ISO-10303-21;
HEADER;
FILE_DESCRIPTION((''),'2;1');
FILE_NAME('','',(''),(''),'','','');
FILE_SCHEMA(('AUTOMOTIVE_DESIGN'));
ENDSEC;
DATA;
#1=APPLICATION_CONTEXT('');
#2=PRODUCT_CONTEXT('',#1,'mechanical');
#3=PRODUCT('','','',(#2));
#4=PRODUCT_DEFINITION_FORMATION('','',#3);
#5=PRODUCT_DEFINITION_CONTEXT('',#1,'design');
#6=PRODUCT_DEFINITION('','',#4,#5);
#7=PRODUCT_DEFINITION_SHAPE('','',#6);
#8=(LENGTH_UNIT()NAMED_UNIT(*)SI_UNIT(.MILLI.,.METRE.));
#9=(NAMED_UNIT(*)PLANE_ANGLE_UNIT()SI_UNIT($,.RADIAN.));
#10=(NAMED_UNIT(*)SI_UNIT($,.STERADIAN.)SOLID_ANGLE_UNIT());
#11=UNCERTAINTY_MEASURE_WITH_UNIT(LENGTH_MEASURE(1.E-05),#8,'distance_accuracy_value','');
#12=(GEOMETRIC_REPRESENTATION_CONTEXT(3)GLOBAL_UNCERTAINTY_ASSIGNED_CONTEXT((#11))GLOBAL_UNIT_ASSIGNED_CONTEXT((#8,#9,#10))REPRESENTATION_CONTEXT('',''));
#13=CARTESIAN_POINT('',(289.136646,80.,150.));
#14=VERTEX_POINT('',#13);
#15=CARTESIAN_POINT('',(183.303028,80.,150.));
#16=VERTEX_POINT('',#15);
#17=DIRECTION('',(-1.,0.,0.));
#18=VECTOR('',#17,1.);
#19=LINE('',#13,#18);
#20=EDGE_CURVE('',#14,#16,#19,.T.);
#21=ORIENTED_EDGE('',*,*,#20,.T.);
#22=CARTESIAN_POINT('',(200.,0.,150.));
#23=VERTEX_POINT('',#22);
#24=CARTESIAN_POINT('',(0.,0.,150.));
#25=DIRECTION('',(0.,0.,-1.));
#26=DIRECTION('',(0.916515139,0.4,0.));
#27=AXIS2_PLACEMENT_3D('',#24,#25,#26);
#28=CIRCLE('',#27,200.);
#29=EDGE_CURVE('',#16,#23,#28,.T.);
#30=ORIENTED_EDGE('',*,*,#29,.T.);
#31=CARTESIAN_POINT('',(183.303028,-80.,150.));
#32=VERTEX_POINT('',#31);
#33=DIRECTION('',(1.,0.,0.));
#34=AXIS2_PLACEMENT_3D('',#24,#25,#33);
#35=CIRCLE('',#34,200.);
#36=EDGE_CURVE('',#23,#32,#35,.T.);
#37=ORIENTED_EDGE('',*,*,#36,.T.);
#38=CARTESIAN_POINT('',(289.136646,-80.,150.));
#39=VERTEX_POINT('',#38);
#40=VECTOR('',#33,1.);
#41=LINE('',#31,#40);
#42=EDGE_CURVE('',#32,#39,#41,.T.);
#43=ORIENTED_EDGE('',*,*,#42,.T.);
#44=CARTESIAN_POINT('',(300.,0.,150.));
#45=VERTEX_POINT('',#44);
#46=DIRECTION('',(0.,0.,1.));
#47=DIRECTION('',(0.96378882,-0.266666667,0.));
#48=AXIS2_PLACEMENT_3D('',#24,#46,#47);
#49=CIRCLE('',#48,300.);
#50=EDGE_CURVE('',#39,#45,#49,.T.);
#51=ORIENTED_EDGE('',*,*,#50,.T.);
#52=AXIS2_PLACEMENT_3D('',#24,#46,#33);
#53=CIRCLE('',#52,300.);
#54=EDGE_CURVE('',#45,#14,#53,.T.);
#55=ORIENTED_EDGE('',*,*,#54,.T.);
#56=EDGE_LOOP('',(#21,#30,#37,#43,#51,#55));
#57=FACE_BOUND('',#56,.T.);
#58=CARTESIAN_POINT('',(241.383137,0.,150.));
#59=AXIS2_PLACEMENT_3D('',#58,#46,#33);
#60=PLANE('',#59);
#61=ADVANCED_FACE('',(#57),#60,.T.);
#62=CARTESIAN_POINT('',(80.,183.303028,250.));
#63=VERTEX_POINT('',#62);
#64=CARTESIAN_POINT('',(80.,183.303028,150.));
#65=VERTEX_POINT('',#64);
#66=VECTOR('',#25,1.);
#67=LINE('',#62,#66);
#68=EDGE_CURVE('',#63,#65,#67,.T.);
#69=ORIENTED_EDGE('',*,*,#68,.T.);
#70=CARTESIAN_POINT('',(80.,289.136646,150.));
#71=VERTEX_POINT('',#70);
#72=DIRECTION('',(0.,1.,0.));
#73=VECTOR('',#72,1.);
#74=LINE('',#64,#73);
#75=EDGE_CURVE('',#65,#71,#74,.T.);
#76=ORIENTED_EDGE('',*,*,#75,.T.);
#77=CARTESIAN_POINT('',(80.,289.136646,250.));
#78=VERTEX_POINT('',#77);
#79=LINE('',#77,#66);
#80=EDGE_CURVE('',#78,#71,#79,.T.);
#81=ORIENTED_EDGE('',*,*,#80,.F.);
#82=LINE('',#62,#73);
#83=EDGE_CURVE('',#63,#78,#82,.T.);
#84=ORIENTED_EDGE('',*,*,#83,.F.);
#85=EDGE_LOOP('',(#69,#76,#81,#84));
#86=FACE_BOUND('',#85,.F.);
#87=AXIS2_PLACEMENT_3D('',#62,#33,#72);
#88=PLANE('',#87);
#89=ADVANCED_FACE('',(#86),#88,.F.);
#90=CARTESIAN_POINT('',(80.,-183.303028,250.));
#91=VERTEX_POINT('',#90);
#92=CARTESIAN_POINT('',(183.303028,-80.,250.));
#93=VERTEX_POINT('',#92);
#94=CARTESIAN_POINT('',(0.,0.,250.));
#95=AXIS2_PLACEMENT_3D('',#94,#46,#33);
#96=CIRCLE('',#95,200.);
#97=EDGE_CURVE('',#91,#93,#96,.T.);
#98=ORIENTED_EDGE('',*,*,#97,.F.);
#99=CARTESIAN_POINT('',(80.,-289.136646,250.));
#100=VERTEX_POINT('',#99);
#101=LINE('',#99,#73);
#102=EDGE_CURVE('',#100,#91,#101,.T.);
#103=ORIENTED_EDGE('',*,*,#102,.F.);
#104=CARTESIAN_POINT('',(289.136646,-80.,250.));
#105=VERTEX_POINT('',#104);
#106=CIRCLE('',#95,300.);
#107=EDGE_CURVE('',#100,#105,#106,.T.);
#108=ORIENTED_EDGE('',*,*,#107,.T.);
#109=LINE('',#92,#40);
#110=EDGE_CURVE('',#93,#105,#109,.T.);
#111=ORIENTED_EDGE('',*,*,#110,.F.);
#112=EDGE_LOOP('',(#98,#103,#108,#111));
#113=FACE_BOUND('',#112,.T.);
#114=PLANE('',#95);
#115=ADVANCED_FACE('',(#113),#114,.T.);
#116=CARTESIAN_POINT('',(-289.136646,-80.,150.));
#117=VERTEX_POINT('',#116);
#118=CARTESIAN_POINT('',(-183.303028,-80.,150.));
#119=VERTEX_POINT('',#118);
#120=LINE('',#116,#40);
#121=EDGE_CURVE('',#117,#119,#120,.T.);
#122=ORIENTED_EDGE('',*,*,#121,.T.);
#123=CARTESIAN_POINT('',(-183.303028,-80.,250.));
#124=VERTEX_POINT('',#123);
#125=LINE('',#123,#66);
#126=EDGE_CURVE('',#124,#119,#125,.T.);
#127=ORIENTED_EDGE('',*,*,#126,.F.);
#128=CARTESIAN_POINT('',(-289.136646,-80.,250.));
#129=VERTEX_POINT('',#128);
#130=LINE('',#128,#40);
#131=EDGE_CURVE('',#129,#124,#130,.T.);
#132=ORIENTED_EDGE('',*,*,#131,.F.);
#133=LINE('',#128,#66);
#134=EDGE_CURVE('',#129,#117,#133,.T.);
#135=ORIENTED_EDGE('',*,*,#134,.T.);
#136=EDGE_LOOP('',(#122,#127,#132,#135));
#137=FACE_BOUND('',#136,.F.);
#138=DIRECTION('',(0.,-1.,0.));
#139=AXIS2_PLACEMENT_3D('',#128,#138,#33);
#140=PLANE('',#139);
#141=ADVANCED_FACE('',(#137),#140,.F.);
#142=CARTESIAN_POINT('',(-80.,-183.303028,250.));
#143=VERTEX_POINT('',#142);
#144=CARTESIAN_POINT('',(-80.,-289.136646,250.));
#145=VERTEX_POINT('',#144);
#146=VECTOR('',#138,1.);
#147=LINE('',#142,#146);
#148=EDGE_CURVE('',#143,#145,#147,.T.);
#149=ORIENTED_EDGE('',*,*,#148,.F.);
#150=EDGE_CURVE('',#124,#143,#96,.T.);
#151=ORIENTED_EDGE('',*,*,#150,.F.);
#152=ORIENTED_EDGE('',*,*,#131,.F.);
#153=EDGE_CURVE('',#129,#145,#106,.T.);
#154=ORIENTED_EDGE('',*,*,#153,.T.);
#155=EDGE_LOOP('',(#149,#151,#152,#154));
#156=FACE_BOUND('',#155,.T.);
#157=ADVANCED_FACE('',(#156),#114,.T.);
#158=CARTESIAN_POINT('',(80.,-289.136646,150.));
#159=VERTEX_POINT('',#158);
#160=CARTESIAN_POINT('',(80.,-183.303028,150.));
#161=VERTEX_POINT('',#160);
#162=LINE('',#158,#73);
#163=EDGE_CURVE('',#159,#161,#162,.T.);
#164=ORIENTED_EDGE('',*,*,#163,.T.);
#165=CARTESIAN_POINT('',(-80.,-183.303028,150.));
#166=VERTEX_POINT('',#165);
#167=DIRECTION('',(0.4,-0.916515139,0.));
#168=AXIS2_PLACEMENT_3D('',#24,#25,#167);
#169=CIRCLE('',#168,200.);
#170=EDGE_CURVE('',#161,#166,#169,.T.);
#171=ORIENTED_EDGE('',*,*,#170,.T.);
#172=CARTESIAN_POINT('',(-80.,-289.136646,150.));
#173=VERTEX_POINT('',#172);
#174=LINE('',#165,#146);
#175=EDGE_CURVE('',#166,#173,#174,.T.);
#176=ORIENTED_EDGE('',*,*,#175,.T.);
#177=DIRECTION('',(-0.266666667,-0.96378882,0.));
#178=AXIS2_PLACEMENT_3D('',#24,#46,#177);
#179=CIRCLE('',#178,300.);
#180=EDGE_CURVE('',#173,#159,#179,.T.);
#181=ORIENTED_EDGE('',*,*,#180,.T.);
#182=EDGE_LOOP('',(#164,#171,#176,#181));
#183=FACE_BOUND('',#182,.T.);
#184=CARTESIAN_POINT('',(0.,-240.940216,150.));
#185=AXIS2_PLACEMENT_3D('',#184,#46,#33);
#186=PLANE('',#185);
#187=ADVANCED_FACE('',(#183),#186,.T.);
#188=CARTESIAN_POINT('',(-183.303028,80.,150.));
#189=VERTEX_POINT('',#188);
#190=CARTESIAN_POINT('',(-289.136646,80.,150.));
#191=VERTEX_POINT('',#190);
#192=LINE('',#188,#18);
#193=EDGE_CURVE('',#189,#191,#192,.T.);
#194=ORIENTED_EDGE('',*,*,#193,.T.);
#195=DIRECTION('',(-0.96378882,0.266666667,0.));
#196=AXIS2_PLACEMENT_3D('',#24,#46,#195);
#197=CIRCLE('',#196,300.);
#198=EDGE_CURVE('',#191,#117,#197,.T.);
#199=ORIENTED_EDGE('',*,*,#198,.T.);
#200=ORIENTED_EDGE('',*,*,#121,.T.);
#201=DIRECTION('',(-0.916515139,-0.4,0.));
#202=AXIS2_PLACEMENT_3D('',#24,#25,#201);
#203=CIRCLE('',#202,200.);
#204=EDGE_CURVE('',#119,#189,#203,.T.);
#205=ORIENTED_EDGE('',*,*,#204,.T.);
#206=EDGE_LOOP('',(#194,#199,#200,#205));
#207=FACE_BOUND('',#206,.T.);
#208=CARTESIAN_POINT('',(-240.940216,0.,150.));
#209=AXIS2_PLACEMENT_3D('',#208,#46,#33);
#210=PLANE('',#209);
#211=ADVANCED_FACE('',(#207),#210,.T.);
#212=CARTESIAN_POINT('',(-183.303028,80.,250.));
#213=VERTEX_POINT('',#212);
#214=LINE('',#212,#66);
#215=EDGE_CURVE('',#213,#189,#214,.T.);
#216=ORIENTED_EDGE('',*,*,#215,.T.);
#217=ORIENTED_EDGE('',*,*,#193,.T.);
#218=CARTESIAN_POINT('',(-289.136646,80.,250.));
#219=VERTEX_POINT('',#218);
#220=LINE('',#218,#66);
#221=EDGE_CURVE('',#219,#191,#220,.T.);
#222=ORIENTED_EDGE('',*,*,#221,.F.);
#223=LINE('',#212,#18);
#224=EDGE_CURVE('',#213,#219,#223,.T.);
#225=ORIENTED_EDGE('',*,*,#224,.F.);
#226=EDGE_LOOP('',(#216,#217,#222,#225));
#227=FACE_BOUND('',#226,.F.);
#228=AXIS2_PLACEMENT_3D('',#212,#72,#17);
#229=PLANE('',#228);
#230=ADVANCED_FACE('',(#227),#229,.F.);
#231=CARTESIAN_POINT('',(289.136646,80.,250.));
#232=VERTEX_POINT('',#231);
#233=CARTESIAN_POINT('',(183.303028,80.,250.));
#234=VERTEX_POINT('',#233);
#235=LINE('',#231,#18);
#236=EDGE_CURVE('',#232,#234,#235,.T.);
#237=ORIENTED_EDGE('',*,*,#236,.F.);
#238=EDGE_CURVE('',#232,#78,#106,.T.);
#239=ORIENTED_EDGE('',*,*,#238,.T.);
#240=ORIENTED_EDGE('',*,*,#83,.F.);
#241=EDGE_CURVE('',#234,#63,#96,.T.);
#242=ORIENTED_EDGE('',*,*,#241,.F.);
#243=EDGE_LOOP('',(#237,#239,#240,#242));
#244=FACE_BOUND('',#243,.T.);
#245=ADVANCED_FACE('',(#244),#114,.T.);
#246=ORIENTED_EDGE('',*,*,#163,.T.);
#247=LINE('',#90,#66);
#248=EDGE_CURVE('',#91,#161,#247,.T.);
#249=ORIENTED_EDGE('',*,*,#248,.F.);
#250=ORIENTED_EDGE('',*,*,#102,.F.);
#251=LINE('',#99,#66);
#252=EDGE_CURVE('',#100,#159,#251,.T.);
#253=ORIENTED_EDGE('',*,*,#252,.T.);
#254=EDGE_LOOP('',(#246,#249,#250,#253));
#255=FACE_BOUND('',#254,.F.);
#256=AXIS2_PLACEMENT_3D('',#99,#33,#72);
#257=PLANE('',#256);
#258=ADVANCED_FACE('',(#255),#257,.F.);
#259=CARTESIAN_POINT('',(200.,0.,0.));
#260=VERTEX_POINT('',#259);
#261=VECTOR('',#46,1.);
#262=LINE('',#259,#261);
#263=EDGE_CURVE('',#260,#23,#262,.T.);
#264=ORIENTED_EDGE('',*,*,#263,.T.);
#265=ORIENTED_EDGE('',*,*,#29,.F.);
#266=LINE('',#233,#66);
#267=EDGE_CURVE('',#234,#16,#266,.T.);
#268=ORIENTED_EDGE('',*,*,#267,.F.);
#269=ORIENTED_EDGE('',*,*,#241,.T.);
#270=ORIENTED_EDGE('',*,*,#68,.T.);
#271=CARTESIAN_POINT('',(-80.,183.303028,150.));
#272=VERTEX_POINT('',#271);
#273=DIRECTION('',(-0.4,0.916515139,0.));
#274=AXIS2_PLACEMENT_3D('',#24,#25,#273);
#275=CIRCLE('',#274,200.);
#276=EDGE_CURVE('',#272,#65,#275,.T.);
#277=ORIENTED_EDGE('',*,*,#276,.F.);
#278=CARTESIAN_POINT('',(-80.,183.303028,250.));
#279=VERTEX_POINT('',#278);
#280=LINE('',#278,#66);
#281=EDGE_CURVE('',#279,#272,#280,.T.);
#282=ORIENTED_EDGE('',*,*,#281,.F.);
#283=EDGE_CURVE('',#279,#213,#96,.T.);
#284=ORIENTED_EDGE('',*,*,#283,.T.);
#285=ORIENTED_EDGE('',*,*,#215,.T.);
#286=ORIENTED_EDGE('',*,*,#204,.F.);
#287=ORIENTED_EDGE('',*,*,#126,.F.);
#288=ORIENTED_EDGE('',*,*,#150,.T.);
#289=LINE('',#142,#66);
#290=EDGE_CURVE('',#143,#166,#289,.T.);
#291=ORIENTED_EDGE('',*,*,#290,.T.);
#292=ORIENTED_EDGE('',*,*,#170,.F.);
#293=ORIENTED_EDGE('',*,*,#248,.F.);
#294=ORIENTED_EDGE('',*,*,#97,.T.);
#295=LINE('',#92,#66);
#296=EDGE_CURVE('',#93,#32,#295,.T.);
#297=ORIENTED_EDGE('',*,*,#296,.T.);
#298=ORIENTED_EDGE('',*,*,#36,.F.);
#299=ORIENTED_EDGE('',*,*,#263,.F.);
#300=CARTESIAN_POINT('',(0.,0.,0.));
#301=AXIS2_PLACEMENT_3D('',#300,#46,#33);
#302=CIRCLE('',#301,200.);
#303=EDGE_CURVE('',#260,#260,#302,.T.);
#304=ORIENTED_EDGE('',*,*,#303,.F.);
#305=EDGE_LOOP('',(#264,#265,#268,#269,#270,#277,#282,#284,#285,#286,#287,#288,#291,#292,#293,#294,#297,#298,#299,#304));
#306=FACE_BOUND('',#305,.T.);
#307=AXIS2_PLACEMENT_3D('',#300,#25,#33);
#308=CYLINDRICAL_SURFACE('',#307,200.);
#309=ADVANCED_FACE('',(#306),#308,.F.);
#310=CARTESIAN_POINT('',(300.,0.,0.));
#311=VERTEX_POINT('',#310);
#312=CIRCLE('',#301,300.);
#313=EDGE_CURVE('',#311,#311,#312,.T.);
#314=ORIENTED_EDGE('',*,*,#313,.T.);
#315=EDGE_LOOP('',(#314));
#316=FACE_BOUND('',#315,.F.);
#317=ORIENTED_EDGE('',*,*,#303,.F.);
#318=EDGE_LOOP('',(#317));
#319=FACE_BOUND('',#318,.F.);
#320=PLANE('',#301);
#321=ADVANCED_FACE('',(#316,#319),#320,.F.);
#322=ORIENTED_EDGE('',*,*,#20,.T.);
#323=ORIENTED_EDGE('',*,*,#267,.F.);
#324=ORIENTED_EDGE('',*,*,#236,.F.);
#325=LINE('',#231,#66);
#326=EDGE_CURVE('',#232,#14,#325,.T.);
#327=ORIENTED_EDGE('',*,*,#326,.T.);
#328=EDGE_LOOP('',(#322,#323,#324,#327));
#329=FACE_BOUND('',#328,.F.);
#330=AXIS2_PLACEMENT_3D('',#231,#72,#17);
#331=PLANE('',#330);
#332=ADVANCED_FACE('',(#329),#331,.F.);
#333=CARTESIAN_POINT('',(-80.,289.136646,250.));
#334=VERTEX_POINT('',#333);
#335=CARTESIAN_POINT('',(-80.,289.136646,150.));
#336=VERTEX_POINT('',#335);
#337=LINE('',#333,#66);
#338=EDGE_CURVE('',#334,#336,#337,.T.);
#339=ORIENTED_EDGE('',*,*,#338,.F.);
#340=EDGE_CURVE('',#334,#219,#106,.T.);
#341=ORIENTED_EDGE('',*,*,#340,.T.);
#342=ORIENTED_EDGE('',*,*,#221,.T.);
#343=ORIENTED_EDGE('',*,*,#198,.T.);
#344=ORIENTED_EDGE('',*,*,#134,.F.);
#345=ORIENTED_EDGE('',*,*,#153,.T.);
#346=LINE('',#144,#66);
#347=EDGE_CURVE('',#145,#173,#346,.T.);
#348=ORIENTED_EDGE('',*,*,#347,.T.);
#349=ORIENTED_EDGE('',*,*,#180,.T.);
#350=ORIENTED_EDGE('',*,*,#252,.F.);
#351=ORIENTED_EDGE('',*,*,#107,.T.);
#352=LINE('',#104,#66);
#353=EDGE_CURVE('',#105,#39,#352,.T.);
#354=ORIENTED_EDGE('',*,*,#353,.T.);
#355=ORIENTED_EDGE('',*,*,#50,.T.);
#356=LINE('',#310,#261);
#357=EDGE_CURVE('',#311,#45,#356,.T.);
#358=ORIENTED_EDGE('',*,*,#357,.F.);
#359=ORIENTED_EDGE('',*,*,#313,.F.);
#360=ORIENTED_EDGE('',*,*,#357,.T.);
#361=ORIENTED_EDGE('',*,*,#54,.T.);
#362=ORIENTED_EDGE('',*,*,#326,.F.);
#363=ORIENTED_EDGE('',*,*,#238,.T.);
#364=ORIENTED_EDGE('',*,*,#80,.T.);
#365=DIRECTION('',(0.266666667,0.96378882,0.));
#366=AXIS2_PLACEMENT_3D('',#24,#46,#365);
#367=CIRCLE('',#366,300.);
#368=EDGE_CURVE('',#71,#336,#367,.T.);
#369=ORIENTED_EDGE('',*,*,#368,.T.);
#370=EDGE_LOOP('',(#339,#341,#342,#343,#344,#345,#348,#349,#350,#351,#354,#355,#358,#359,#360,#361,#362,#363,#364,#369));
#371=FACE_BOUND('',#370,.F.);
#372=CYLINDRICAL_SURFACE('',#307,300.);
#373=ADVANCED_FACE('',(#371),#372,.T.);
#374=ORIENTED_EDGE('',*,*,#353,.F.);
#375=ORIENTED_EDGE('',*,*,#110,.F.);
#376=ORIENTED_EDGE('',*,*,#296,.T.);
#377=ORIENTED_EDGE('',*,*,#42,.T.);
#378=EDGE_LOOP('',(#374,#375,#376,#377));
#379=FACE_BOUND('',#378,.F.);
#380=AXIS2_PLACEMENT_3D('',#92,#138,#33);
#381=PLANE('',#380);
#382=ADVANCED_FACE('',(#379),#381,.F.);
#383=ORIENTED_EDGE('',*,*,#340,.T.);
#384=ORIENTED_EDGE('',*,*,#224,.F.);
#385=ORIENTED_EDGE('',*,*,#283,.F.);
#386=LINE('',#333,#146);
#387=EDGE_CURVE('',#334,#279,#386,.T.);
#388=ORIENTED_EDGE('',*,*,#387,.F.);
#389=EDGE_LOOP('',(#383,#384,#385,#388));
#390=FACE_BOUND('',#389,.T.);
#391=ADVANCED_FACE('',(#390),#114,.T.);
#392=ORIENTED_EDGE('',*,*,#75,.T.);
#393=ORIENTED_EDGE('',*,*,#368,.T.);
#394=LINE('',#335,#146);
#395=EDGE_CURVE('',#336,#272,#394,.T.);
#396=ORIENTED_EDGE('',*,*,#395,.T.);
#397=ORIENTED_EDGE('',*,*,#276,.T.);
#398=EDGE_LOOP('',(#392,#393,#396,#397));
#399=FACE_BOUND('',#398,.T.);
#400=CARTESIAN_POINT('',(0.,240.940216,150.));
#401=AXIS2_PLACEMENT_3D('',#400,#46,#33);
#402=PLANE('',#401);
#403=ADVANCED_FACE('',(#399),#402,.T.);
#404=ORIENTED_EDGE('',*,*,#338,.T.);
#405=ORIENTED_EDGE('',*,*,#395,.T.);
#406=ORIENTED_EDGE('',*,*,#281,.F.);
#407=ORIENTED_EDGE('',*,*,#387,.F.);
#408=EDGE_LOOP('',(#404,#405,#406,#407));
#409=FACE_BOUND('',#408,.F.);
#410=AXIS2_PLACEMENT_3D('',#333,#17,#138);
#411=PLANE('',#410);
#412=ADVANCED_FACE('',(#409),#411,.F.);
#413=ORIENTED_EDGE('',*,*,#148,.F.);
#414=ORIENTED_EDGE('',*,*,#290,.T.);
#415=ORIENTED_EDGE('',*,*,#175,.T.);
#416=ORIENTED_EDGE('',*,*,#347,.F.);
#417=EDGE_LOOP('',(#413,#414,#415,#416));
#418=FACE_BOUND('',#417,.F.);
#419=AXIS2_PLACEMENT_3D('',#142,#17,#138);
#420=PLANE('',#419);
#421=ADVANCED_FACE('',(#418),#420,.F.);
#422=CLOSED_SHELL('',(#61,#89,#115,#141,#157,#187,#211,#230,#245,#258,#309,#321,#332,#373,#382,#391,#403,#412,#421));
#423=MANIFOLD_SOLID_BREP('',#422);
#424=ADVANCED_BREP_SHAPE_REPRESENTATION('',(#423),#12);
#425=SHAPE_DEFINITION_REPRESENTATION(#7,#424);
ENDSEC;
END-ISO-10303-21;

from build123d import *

# Parameters (mm, degrees)
F0_R     = 300
F0_R_2   = 200
F1_DEPTH = 250
F3_DEPTH = 100


with BuildPart() as f1:
    # F0 (on Top) → F1 (new body)
    with BuildSketch(Plane.XY):
        Circle(F0_R)
        Circle(F0_R_2, mode=Mode.SUBTRACT)
    extrude(amount=F1_DEPTH)

    # F2 (on face) → F3 (cut)
    with BuildSketch(Plane.XY.offset(250)):
        with BuildLine():
            ThreePointArc((-80, 183.3030277982), (0, 200), (80, 183.3030277982))
            Line((80, 183.3030277982), (80, 289.136645896))
            ThreePointArc((80, 289.136645896), (0, 300), (-80, 289.136645896))
            Line((-80, 289.136645896), (-80, 183.3030277982))
        make_face()
        with BuildLine():
            Line((289.136645896, 80), (183.3030277982, 80))
            ThreePointArc((183.3030277982, 80), (195.7812625861, 40.8619287378), (200, 0))
            ThreePointArc((200, 0), (195.7812625861, -40.8619287378), (183.3030277982, -80))
            Line((183.3030277982, -80), (289.136645896, -80))
            ThreePointArc((289.136645896, -80), (297.271755948, -40.3671043747), (300, 0))
            ThreePointArc((300, 0), (297.271755948, 40.3671043747), (289.136645896, 80))
        make_face()
        with BuildLine():
            Line((80, -289.136645896), (80, -183.3030277982))
            ThreePointArc((80, -183.3030277982), (0, -200), (-80, -183.3030277982))
            Line((-80, -183.3030277982), (-80, -289.136645896))
            ThreePointArc((-80, -289.136645896), (0, -300), (80, -289.136645896))
        make_face()
        with BuildLine():
            ThreePointArc((-183.3030277982, -80), (-200, 0), (-183.3030277982, 80))
            Line((-183.3030277982, 80), (-289.136645896, 80))
            ThreePointArc((-289.136645896, 80), (-300, 0), (-289.136645896, -80))
            Line((-289.136645896, -80), (-183.3030277982, -80))
        make_face()
    extrude(amount=-F3_DEPTH, mode=Mode.SUBTRACT)


solid = f1.part
